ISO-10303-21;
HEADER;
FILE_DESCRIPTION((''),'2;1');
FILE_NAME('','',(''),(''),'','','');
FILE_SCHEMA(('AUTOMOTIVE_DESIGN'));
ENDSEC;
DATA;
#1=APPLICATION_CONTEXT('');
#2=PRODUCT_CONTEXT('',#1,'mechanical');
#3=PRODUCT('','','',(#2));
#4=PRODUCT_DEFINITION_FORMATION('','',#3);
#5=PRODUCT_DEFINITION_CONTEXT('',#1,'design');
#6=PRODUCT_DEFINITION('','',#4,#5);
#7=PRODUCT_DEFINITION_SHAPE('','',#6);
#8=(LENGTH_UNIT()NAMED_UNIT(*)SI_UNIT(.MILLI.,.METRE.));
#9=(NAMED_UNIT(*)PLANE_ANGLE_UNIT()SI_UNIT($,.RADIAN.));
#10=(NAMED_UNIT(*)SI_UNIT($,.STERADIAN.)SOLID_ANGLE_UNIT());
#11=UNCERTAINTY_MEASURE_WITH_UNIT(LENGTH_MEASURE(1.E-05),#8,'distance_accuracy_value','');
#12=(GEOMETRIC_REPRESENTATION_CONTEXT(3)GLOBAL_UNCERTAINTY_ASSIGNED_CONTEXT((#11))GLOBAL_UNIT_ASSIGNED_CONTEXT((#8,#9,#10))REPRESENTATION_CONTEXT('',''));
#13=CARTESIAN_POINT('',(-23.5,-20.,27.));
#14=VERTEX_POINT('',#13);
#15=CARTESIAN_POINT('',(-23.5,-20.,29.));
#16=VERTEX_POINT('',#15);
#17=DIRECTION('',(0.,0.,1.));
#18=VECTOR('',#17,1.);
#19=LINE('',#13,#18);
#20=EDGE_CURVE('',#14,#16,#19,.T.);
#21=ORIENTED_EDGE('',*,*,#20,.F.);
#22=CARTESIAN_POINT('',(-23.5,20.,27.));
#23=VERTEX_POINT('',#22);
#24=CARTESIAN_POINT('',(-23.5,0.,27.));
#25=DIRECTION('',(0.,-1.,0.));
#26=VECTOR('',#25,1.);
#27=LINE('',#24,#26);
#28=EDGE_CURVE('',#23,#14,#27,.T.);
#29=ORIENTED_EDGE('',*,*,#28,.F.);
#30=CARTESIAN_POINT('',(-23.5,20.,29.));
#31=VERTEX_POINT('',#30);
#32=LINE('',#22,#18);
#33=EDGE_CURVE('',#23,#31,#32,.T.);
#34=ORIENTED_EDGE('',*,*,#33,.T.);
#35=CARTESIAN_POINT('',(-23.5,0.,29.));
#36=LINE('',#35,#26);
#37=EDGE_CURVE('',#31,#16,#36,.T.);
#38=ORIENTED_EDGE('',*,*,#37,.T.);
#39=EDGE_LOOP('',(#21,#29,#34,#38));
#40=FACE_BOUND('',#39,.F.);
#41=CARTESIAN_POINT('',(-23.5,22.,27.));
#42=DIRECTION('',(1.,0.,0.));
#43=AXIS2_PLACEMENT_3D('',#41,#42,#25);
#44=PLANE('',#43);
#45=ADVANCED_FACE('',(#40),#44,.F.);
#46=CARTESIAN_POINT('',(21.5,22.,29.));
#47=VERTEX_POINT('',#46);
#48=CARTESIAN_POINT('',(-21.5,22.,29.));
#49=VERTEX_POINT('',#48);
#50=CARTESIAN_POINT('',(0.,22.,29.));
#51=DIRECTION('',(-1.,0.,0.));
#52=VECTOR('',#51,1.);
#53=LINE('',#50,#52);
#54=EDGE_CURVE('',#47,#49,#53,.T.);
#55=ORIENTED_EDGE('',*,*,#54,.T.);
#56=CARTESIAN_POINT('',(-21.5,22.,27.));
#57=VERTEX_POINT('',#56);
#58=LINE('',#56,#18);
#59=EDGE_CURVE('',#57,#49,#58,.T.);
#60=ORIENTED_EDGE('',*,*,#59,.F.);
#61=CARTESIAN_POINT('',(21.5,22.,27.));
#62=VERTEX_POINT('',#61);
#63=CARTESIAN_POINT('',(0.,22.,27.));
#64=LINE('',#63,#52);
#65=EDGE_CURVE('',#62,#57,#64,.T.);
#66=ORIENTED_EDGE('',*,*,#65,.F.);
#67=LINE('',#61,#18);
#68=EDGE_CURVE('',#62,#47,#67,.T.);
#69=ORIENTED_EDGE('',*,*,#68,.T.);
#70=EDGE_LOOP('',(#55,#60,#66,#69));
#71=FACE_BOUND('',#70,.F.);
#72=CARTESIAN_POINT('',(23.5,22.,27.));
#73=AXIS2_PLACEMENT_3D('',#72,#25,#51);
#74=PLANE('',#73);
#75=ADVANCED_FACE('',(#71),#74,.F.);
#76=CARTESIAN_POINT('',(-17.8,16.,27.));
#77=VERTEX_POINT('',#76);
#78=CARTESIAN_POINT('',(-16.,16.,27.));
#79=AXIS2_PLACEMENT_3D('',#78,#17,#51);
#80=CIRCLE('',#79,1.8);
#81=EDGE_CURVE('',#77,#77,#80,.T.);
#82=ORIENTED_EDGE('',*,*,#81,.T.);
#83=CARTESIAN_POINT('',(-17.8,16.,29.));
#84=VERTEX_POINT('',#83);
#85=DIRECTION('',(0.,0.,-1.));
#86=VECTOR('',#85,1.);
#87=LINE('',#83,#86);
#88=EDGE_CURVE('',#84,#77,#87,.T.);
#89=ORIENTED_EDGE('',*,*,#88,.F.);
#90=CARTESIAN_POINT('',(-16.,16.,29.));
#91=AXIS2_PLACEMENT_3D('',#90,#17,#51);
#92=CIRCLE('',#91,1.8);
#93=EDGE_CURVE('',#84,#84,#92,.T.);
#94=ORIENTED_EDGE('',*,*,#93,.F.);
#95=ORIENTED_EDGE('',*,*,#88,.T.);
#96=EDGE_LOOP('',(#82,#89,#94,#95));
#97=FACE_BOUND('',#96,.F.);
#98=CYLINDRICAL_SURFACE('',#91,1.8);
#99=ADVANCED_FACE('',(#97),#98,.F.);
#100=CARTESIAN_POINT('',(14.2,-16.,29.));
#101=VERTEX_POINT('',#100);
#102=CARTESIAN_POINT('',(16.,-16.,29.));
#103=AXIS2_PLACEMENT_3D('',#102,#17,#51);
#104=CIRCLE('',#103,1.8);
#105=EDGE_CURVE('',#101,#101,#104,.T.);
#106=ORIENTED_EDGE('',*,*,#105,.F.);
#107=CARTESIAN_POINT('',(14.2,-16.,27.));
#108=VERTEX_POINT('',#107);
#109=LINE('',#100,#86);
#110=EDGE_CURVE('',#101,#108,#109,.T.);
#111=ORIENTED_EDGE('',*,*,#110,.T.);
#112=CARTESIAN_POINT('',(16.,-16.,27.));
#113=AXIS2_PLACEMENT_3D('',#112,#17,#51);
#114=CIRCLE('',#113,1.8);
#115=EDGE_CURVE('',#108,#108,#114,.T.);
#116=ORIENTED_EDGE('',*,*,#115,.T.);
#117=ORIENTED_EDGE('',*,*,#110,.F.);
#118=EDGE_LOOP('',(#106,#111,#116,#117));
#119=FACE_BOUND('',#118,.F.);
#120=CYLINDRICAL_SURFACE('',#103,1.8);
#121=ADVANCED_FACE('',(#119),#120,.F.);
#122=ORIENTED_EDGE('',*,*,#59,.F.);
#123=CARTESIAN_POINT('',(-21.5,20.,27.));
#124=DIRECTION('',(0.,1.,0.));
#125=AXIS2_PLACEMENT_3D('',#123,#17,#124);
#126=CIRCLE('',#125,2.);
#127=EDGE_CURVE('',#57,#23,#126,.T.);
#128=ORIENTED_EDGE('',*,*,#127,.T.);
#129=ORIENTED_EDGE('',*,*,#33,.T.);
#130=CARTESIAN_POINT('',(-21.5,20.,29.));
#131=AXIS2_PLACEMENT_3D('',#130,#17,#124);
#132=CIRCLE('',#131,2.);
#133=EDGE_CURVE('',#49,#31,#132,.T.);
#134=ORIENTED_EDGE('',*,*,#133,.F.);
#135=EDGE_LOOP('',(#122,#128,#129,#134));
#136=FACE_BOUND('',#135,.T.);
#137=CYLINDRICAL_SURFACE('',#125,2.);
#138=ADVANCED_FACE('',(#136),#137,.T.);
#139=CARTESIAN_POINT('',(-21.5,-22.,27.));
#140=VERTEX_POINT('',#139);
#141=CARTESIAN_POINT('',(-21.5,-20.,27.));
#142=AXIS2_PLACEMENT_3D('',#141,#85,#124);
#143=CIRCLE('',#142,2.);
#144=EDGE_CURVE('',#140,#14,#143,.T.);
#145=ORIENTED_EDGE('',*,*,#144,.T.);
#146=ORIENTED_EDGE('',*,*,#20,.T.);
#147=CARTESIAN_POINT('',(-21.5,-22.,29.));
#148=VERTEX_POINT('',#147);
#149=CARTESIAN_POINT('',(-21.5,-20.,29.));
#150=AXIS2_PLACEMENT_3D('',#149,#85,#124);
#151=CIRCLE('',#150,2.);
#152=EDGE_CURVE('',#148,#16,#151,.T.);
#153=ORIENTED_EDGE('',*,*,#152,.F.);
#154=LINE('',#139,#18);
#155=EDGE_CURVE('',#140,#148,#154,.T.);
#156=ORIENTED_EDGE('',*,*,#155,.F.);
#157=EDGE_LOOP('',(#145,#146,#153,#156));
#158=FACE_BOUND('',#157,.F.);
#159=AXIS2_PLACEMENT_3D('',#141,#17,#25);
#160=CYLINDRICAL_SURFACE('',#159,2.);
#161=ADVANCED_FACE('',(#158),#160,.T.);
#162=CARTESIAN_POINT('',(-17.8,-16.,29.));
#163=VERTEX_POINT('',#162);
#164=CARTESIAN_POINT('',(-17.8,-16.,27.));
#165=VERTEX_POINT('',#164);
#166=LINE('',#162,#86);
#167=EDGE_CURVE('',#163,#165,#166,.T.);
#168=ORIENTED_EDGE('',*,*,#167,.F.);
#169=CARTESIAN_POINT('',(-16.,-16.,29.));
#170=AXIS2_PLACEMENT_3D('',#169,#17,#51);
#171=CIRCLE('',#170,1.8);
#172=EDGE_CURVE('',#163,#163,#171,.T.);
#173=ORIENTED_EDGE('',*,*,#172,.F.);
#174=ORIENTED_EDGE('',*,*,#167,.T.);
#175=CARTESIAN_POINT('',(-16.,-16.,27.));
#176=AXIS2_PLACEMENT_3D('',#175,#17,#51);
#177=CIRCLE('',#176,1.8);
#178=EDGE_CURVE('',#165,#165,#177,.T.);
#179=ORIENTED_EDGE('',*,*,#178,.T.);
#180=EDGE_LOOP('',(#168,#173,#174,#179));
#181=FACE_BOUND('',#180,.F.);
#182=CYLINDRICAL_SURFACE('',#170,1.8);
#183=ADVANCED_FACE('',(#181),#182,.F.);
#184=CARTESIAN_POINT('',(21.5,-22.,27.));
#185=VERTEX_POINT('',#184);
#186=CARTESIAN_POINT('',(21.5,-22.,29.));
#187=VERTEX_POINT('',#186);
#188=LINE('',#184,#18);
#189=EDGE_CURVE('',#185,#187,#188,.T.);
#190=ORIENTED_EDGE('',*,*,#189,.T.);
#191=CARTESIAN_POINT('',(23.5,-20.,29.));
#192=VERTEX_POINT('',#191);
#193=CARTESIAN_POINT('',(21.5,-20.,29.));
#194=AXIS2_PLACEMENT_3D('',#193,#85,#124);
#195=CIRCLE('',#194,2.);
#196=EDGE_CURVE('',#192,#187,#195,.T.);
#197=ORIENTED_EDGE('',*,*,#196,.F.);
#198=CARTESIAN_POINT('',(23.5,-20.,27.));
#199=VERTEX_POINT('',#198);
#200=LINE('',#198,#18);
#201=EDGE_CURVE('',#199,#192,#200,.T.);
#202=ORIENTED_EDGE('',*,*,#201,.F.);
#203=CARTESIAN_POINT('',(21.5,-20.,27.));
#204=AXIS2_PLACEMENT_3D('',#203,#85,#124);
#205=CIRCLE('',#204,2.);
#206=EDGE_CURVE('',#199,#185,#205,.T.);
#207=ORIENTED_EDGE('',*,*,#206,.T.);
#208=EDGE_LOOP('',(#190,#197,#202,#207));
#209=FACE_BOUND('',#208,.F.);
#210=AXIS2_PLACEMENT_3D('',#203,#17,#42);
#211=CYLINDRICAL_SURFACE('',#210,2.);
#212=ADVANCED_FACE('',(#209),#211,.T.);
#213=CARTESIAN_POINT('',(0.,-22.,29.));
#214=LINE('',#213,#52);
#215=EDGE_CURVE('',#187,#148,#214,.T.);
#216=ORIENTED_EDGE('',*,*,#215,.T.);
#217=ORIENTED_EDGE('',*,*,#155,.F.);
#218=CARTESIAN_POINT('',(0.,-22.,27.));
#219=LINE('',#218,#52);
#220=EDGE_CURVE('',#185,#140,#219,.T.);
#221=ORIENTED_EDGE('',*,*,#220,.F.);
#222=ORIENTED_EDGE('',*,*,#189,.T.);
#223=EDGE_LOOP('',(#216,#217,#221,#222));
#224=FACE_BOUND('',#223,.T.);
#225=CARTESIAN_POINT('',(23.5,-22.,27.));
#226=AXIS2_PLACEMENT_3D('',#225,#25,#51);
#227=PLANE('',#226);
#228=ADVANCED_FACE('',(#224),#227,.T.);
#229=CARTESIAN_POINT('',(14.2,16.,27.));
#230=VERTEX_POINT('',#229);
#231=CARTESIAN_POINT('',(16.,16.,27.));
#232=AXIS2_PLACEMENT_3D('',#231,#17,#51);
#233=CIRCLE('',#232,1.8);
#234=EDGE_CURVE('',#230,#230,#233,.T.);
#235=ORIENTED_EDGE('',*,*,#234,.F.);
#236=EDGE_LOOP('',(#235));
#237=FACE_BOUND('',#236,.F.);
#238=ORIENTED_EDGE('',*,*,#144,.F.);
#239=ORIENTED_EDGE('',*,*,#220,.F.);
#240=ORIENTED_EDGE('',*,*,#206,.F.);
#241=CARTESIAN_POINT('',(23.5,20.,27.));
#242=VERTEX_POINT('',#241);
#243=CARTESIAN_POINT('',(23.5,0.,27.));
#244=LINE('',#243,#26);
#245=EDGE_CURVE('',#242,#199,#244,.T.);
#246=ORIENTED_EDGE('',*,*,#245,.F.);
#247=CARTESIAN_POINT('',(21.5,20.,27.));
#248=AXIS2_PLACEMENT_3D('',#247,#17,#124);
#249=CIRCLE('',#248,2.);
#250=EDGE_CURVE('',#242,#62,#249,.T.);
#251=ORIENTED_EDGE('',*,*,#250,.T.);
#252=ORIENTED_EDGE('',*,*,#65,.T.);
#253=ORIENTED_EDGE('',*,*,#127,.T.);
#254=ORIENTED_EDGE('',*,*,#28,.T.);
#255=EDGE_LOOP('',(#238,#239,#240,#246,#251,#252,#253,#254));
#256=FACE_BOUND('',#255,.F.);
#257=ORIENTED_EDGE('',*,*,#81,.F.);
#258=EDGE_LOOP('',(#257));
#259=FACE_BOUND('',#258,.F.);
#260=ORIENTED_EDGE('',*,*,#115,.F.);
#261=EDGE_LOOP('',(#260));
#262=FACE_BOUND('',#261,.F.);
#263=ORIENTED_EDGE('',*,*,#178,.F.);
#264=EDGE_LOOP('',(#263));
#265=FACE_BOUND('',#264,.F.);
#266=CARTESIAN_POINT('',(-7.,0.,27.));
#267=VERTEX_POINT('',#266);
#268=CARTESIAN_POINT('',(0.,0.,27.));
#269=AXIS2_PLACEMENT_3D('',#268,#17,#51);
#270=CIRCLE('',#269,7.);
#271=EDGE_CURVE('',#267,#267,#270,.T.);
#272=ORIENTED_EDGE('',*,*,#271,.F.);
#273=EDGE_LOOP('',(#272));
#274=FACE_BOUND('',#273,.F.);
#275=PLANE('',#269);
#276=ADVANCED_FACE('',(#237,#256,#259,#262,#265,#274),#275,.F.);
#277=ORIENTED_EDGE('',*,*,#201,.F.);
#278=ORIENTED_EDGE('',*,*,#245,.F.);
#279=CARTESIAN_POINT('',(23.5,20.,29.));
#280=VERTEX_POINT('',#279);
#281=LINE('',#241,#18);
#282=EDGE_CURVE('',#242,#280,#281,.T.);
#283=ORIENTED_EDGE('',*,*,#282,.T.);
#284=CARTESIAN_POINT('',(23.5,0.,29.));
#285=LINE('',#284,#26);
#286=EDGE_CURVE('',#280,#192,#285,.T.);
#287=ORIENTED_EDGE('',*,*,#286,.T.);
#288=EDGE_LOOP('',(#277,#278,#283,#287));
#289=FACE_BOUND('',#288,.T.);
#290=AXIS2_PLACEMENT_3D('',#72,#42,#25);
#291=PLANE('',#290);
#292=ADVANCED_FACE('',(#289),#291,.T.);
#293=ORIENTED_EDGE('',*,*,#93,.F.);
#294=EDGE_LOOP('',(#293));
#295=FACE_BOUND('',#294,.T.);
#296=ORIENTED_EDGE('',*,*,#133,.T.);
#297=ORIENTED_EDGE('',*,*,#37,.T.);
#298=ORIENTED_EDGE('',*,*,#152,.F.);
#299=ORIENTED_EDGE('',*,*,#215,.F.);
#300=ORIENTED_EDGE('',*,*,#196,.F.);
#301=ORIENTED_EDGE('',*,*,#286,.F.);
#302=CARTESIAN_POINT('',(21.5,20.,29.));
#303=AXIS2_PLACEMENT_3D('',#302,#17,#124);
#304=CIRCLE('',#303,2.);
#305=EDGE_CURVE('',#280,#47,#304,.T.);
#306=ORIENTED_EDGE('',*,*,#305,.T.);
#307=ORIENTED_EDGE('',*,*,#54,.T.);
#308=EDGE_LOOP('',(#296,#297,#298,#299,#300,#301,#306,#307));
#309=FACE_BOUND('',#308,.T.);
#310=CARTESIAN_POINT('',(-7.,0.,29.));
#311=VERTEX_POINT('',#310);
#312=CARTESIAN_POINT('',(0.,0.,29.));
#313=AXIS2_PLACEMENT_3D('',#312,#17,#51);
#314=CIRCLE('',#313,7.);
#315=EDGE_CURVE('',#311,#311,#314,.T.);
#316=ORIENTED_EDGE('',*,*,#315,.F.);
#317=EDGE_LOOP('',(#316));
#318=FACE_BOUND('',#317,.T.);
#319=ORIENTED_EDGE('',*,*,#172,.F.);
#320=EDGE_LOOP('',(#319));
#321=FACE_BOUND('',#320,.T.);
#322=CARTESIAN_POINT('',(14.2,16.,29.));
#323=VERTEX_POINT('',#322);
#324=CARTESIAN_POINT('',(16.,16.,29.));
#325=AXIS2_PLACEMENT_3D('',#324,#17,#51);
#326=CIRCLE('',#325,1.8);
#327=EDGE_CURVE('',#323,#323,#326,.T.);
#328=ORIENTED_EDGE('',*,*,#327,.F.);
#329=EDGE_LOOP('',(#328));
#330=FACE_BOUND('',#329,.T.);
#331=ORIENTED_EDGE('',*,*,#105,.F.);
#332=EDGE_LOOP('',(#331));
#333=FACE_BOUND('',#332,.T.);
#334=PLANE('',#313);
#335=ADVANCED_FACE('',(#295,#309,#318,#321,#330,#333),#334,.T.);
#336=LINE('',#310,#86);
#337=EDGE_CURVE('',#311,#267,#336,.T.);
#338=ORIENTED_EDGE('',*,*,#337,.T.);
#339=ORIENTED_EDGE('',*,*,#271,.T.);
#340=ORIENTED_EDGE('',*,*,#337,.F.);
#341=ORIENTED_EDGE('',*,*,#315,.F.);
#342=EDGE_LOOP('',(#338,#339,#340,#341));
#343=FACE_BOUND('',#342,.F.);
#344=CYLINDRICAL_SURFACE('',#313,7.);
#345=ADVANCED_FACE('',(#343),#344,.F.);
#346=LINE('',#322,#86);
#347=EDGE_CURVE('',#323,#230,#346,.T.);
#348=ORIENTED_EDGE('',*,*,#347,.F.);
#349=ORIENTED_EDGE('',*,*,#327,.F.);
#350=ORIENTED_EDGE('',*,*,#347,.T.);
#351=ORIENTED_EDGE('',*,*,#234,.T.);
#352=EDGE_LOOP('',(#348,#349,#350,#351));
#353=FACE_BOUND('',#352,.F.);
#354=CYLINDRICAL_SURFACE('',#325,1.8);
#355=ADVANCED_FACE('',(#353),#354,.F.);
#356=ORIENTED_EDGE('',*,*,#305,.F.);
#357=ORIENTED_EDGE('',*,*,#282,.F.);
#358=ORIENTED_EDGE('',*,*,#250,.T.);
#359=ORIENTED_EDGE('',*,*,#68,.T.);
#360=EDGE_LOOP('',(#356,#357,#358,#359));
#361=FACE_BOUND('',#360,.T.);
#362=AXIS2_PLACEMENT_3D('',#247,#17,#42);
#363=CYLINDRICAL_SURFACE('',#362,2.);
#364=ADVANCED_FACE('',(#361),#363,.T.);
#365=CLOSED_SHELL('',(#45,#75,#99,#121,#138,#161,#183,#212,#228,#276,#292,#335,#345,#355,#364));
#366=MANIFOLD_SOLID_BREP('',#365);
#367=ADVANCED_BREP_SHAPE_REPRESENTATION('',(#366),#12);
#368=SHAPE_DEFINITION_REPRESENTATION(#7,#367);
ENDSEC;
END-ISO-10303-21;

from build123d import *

# Parameters (mm, degrees)
SKETCH019_W             = 47
SKETCH019_H             = 44
PAD004_DEPTH            = 2
SKETCH018_R             = 7
HOLE008_DEPTH           = 25
SKETCH017_R             = 1.8
HOLE007_DEPTH           = 25
FILLET002_R             = 2
BODY005_PLACEMENT_ANGLE = 180


with BuildPart() as part:
    # Sketch019 → Pad004 (new body)
    with BuildSketch(Plane.XY):
        Rectangle(SKETCH019_W, SKETCH019_H)
    extrude(amount=PAD004_DEPTH)

    # Sketch018 (on DatumPlane) → Hole008 (cut)
    with BuildSketch(Plane.XY.offset(2)):
        Circle(SKETCH018_R)
    extrude(amount=-HOLE008_DEPTH, mode=Mode.SUBTRACT)

    # Sketch017 (on DatumPlane) → Hole007 (cut)
    with BuildSketch(Plane.XY.offset(2)):
        with Locations((-16, 16)):
            Circle(SKETCH017_R)
        with Locations((16, 16)):
            Circle(SKETCH017_R)
        with Locations((-16, -16)):
            Circle(SKETCH017_R)
        with Locations((16, -16)):
            Circle(SKETCH017_R)
    extrude(amount=-HOLE007_DEPTH, mode=Mode.SUBTRACT)

    # Fillet002
    fillet002_edges = [part.edges().sort_by_distance(p)[0] for p in [
        (-23.5, -22, 1),
        (23.5, -22, 1),
        (23.5, 22, 1),
        (-23.5, 22, 1),
    ]]
    fillet(fillet002_edges, radius=FILLET002_R)


with BuildPart() as part_1:
    # Body005 placement: moved
    add(part.part.moved(Location((0, 0, 27))).rotate(Axis((0, 0, 27), (0, 0, 1)), BODY005_PLACEMENT_ANGLE))


solid = part_1.part
